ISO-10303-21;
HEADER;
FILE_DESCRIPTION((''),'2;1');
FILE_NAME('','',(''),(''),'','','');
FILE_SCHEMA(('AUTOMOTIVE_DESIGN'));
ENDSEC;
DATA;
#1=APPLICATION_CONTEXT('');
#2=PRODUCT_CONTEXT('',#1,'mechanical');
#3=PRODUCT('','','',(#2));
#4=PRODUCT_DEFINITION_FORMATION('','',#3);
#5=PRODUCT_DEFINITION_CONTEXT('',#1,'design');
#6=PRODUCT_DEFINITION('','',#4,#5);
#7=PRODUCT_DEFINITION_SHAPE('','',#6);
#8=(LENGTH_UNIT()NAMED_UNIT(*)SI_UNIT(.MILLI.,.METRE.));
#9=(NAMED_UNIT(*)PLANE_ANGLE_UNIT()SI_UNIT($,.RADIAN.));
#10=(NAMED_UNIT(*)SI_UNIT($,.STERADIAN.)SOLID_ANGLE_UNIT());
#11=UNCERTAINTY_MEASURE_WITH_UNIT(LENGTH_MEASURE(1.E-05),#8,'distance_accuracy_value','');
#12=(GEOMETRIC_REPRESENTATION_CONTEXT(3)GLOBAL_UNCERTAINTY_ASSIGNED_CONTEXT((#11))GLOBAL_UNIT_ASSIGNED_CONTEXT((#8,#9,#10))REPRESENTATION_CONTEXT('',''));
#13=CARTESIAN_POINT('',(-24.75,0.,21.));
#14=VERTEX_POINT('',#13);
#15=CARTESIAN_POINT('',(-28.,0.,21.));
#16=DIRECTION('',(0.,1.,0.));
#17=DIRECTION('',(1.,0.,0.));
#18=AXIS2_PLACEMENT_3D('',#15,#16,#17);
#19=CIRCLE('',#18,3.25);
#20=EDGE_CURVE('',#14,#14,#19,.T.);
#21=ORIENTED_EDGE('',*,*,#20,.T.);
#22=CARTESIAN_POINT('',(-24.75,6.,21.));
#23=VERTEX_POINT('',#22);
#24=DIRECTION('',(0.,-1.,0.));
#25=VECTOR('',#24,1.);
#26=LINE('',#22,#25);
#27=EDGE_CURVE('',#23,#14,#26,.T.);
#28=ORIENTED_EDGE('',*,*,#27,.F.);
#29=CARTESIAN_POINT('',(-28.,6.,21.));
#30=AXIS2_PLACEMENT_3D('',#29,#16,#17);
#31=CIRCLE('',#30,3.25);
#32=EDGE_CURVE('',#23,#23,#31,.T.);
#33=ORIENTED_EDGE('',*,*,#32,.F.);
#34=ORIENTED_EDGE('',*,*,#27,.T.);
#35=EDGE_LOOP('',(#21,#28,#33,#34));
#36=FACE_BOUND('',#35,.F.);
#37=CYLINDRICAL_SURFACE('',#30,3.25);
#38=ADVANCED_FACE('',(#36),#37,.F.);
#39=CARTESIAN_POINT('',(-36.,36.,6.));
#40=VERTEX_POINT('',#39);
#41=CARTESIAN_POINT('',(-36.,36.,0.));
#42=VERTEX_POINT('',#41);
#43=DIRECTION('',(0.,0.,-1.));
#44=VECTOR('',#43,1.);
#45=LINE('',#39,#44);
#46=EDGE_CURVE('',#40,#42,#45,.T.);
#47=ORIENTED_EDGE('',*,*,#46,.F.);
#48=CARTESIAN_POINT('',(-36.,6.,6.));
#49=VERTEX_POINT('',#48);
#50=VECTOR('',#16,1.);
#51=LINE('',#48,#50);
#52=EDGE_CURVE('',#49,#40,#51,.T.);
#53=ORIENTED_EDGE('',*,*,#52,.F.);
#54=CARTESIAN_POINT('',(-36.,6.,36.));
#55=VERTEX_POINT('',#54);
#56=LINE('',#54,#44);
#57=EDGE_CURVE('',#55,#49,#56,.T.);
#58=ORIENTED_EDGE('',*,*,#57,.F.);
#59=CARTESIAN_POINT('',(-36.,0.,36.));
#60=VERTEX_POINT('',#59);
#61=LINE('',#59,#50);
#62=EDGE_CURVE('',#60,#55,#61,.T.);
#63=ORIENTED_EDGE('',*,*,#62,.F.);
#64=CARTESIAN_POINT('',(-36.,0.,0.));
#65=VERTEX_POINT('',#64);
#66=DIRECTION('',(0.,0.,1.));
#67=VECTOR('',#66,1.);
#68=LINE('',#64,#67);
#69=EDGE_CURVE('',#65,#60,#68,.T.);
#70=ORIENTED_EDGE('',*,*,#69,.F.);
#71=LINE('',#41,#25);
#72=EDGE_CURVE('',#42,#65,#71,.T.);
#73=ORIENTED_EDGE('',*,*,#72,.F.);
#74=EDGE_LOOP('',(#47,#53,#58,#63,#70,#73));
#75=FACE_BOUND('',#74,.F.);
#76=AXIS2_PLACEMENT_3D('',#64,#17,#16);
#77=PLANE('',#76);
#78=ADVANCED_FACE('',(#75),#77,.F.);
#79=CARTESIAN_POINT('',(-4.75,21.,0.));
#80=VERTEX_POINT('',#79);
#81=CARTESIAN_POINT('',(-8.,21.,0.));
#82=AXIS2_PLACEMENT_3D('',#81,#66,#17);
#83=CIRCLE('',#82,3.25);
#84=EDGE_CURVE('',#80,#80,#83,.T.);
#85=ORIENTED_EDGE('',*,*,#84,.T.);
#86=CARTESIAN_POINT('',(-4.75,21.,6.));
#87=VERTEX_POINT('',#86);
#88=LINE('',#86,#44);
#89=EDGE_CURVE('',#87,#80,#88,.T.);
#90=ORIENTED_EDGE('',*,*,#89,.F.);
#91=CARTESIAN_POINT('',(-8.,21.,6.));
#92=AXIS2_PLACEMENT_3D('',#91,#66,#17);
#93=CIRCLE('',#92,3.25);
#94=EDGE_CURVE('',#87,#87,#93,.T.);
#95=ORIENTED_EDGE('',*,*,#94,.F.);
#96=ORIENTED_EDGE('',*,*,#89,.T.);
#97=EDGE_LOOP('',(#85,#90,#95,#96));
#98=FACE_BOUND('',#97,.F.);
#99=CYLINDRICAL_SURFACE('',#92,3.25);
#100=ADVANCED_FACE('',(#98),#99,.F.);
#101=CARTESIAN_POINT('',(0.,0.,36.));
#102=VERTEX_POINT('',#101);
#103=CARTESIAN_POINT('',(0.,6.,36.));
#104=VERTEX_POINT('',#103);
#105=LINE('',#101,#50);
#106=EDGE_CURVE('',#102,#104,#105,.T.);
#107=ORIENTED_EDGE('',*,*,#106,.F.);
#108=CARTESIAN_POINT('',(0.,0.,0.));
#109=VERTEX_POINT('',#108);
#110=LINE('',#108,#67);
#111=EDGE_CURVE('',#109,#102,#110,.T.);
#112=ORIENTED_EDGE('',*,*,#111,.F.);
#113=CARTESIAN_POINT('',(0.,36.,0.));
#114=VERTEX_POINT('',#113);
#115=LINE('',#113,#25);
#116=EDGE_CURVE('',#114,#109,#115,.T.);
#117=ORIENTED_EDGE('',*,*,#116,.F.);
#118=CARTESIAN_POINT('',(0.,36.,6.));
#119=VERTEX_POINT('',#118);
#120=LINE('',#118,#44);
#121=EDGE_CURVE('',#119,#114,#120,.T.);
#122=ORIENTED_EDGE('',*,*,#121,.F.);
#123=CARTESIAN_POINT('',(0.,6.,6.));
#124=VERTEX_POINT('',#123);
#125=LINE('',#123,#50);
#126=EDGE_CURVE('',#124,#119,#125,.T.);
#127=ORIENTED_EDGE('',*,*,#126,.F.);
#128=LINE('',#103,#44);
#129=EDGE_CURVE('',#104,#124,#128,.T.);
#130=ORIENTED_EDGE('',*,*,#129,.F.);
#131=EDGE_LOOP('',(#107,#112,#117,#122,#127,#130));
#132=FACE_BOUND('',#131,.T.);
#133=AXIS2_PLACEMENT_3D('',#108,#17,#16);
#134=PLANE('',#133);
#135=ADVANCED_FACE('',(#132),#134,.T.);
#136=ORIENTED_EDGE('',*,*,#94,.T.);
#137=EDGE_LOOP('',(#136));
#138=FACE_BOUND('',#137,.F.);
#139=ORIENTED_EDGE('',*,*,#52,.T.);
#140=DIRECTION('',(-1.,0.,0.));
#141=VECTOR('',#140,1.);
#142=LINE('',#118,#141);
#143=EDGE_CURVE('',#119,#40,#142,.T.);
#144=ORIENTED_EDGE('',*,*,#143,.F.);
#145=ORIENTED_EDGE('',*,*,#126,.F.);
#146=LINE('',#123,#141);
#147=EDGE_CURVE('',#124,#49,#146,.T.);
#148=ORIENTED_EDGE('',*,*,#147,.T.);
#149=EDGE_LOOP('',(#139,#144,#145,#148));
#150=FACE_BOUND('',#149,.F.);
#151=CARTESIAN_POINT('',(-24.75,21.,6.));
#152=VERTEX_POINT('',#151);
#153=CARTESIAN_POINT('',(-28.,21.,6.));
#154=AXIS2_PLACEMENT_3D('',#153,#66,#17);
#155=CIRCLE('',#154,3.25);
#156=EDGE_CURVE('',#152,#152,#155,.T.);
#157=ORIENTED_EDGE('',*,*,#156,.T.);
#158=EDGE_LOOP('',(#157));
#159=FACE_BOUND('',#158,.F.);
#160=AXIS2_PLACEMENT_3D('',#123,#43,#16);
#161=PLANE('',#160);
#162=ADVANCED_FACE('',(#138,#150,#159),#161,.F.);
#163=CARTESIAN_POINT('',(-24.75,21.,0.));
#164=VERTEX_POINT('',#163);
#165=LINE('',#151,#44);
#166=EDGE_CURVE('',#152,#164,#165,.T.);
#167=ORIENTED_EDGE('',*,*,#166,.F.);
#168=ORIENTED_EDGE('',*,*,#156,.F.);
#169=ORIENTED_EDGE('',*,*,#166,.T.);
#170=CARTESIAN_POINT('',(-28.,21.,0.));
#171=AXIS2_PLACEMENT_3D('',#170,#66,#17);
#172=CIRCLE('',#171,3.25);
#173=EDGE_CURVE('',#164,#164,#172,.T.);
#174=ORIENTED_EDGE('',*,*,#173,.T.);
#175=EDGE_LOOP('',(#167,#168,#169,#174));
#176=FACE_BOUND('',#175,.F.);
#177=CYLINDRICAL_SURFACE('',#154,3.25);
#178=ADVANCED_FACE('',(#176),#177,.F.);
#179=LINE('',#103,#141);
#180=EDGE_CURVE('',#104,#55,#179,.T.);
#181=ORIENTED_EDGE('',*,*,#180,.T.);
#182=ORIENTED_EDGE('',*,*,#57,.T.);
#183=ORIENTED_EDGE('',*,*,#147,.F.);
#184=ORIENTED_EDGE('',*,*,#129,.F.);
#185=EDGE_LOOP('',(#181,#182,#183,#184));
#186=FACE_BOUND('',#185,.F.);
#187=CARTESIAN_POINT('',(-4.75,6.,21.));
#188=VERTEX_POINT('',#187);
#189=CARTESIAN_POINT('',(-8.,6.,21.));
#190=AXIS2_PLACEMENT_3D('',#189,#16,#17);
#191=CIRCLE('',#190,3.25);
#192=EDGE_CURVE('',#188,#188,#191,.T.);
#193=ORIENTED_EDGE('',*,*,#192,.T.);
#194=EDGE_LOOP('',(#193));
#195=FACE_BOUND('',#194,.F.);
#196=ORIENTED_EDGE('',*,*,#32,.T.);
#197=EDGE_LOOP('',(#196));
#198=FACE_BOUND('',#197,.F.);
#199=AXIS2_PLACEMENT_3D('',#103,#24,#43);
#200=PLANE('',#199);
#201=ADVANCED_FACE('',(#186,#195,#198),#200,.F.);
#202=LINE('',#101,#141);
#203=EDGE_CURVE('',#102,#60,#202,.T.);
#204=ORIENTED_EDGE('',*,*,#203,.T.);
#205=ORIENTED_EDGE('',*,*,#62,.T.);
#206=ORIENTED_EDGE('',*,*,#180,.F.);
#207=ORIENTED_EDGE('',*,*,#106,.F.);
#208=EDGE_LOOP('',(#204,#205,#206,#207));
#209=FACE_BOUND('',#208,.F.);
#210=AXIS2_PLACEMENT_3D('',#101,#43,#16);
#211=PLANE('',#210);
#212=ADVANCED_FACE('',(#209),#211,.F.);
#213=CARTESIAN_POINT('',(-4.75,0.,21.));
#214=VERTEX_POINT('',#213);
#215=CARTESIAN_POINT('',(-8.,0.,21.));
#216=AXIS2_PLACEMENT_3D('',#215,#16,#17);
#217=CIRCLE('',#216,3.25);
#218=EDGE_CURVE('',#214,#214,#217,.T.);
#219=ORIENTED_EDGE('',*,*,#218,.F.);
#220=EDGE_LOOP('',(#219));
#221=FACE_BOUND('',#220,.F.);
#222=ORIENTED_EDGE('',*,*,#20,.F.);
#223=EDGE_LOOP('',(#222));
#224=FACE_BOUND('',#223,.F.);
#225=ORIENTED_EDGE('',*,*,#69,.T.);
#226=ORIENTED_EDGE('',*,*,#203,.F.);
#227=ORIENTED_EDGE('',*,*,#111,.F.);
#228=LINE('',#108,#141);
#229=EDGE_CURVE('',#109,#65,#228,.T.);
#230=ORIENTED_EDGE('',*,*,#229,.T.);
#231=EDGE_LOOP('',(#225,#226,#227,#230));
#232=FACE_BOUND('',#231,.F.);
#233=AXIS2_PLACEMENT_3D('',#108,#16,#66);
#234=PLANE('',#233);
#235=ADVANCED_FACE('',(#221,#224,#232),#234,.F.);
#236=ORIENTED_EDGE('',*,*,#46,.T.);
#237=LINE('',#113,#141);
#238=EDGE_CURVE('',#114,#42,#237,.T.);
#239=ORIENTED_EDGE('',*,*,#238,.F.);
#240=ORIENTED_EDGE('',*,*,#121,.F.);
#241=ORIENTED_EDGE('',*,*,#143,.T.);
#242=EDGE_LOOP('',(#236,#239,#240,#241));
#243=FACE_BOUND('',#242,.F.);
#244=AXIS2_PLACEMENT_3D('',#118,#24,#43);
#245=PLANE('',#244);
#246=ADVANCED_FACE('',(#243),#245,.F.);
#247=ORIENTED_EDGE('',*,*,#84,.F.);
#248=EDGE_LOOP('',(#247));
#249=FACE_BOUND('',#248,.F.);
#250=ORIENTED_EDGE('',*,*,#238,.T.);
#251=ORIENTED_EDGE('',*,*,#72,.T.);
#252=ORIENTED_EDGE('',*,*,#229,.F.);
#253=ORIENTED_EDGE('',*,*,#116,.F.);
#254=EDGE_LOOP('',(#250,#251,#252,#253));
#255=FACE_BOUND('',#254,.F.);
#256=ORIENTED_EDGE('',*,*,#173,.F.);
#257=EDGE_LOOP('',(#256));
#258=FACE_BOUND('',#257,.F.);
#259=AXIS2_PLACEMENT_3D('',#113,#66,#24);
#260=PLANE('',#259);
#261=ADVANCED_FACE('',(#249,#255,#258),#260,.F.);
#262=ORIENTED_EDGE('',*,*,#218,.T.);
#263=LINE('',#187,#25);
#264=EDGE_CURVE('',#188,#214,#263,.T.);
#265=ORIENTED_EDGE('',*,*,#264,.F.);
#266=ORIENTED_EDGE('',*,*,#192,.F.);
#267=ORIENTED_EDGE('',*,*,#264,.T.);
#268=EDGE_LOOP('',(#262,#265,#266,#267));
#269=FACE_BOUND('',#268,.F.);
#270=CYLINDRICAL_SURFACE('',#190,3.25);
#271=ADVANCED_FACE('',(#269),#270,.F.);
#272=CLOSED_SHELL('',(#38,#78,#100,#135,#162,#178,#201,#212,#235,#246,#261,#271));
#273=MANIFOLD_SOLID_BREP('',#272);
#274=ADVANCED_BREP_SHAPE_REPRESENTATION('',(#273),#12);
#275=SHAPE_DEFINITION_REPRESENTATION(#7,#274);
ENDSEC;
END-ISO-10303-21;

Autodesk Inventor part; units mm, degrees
ref_plane "YZ Plane" through (0, 0, 0) normal (1, 0, 0) x (0, 1, 0)
ref_plane "XZ Plane" through (0, 0, 0) normal (0, 1, 0) x (-1, 0, 0)
ref_plane "XY Plane" through (0, 0, 0) normal (0, 0, 1) x (1, 0, 0)
sketch "Sketch1" plane through (0, 0, 0) normal (1, 0, 0) x (0, 1, 0)
  line L0 (0, 0) -> (0, 36)
  line L1 (0, 36) -> (6, 36)
  line L2 (6, 36) -> (6, 6)
  line L3 (6, 6) -> (36, 6)
  line L4 (36, 6) -> (36, 0)
  line L5 (36, 0) -> (0, 0)
  dimension "d0" = 36
  dimension "d1" = 6
  dimension "d2" = 30
  dimension "d3" = 30
  dimension "d4" = 6
  dimension "d5" = 36
extrude "Extrusion1" add sketch "Sketch1" against normal blind 36
sketch "Sketch2" plane through (0, 6, 36) normal (0, 1, 0) x (1, 0, 0)
  circle A0 centre (-28, 15) radius 3.25
  circle A1 centre (-8, 15) radius 3.25
  line L0 (0, 0) -> (-36, 0) projected
  line L1 (0, 30) -> (0, 0) projected
  line L2 (-36, 0) -> (-36, 30) projected
  line L3 (-36, 30) -> (3.723, 30) construction
  point P0 (0, 36)
  point P1 (-5.4498, 30)
  dimension "d8" = 6.5
  dimension "d9" = 6.5
  dimension "d10" = 20
  dimension "d11" = 15
  dimension "d12" = 15
  dimension "d13" = 8
sketch "Sketch3" plane through (0, 6, 6) normal (0, 0, 1) x (1, 0, 0)
  circle A0 centre (-28, 15) radius 3.25
  line L0 (-36, 0) -> (-36, 30) projected
  line L1 (0, 30) -> (-36, 30) projected
  circle A1 centre (-8, 15) radius 3.25
  point P0 (0, -6)
  dimension "d14" = 6.5
  dimension "d15" = 8
  dimension "d16" = 15
  dimension "d17" = 6.5
  dimension "d18" = 20
extrude "Extrusion2" cut sketch "Sketch3" against normal blind 6
extrude "Extrusion3" cut sketch "Sketch2" against normal blind 6
properties part number "Normal_Connector"
